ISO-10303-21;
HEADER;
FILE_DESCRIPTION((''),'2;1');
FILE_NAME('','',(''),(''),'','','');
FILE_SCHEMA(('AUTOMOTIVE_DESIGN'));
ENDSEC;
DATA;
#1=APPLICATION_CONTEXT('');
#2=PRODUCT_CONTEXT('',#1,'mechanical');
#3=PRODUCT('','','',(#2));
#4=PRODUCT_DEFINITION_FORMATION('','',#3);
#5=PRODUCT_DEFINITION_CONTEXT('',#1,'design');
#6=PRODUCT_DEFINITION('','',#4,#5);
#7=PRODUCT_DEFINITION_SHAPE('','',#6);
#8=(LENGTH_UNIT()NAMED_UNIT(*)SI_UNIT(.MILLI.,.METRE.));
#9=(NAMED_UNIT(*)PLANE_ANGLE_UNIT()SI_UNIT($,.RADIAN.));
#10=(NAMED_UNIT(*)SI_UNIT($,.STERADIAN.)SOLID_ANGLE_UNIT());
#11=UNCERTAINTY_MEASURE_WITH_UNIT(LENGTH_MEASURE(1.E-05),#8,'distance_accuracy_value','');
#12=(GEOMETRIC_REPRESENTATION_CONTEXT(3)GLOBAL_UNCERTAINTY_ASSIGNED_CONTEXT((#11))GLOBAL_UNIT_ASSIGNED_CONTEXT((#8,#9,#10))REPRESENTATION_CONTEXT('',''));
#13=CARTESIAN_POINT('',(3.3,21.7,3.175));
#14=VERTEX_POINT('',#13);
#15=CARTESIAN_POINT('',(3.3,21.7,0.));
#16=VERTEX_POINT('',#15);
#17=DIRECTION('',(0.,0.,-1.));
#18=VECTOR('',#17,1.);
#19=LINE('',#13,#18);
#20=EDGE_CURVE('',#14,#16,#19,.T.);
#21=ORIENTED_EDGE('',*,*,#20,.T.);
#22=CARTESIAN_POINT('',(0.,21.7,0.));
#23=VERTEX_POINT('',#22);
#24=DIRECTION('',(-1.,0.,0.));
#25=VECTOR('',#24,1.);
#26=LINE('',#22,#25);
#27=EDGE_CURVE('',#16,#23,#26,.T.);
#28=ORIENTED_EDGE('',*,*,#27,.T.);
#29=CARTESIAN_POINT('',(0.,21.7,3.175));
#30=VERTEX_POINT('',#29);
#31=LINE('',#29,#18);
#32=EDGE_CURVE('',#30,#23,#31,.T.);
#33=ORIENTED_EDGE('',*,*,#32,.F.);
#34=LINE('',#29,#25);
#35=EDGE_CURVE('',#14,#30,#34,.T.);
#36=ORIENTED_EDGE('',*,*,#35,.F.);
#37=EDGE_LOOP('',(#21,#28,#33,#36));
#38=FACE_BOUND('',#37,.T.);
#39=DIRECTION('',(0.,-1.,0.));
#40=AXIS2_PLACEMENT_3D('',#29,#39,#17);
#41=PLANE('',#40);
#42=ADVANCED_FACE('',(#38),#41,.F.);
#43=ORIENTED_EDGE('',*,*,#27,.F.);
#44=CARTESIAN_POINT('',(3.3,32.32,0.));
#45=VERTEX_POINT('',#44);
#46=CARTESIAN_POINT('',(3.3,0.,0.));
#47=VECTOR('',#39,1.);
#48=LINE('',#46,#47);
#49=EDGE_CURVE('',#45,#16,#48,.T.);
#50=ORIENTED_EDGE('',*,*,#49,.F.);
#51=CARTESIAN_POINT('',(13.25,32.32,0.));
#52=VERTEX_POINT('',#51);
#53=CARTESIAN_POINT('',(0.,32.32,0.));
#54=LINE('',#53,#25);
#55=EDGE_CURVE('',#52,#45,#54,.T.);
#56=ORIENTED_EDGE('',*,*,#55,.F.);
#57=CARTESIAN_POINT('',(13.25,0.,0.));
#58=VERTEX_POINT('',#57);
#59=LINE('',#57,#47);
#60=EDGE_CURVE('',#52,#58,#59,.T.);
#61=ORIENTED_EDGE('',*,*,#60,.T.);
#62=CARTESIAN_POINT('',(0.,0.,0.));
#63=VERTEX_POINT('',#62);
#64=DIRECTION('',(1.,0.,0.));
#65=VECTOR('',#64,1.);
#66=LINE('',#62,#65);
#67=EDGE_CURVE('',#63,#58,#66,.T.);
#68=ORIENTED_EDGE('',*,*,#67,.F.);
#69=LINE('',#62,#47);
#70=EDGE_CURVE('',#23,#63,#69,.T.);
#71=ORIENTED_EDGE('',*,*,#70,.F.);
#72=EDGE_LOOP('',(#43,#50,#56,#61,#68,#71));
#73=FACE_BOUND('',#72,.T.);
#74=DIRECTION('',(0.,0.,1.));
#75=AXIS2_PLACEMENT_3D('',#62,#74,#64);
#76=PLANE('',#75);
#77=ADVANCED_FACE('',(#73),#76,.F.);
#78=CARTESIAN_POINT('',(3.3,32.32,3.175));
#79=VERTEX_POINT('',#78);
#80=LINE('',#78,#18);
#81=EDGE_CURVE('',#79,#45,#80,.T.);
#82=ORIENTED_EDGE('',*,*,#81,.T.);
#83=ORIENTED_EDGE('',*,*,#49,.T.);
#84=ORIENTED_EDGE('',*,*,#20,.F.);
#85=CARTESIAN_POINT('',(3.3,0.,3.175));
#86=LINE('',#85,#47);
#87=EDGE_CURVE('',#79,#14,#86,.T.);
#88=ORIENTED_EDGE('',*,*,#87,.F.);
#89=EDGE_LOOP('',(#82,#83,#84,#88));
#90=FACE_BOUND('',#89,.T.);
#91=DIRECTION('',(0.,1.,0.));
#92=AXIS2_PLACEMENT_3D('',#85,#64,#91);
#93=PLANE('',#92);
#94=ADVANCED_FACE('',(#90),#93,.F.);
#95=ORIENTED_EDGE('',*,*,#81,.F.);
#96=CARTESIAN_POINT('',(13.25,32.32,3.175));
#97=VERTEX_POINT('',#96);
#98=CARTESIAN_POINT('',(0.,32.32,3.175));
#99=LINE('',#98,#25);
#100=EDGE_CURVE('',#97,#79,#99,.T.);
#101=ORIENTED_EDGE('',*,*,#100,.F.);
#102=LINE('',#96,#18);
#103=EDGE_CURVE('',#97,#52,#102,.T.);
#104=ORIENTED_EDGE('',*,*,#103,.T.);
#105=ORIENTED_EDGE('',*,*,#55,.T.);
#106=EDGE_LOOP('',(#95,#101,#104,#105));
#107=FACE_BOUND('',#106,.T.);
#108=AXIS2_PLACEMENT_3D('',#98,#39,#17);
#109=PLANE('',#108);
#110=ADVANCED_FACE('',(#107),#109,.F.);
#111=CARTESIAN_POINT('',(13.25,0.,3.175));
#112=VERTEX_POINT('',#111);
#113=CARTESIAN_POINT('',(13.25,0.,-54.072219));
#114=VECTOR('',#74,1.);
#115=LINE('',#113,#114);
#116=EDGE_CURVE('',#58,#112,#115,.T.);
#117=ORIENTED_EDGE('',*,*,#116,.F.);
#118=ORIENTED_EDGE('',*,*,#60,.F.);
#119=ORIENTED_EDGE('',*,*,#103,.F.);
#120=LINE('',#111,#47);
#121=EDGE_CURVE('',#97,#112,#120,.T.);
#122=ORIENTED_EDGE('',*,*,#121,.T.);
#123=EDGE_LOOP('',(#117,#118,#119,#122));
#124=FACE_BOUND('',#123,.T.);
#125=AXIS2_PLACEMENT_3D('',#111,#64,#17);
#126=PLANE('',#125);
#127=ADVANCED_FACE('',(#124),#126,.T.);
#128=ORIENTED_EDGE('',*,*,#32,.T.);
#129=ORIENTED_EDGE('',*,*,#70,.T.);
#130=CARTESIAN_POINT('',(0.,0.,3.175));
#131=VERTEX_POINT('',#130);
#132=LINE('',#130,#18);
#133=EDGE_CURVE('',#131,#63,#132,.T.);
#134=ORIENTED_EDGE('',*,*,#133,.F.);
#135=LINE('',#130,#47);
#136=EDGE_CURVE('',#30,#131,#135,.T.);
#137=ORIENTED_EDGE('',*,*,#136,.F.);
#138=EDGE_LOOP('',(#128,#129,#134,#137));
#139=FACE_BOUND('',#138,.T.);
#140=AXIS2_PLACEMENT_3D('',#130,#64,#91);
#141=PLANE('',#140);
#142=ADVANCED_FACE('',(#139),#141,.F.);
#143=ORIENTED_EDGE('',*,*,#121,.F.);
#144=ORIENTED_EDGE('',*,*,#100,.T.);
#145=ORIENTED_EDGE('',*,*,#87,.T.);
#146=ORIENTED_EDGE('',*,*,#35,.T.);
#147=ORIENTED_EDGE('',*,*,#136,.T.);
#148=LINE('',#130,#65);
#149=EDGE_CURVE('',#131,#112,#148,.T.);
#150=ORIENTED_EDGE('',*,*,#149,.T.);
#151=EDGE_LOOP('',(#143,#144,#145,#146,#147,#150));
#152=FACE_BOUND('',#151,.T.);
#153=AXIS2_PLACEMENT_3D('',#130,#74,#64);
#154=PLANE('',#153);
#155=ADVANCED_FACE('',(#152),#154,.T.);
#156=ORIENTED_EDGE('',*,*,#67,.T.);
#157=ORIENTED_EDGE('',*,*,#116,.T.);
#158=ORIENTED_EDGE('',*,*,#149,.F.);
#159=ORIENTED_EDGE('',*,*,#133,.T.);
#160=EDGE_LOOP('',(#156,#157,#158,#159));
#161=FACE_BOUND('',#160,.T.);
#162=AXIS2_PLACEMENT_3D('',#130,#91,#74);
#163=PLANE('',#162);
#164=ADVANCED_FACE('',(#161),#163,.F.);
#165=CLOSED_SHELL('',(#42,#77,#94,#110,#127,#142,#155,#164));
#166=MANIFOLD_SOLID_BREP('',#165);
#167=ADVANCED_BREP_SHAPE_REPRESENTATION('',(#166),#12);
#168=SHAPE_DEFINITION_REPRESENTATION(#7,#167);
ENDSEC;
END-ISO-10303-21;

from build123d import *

# Parameters (mm, degrees)
BOSS_EXTRUDE1_DEPTH = 3.175
SKETCH2_W           = 43.35
SKETCH2_H           = 32.32
CUT_EXTRUDE1_DEPTH  = 3.175


with BuildPart() as part:
    # Sketch1 → Boss-Extrude1 (new body)
    with BuildSketch(Plane.XY):
        Polygon((0, 21.7), (0, 0), (56.6, 0), (56.6, 21.7), (53.3, 21.7), (53.3, 32.32), (43.35, 32.32), (43.35, 15.66), (13.25, 15.66), (13.25, 32.32), (3.3, 32.32), (3.3, 21.7), align=None)
    extrude(amount=BOSS_EXTRUDE1_DEPTH)

    # Sketch2 → Cut-Extrude1 (cut)
    with BuildSketch(Plane.XY.offset(3.175)):
        with Locations((34.925, 16.16)):
            Rectangle(SKETCH2_W, SKETCH2_H)
    extrude(amount=-CUT_EXTRUDE1_DEPTH, mode=Mode.SUBTRACT)


solid = part.part
